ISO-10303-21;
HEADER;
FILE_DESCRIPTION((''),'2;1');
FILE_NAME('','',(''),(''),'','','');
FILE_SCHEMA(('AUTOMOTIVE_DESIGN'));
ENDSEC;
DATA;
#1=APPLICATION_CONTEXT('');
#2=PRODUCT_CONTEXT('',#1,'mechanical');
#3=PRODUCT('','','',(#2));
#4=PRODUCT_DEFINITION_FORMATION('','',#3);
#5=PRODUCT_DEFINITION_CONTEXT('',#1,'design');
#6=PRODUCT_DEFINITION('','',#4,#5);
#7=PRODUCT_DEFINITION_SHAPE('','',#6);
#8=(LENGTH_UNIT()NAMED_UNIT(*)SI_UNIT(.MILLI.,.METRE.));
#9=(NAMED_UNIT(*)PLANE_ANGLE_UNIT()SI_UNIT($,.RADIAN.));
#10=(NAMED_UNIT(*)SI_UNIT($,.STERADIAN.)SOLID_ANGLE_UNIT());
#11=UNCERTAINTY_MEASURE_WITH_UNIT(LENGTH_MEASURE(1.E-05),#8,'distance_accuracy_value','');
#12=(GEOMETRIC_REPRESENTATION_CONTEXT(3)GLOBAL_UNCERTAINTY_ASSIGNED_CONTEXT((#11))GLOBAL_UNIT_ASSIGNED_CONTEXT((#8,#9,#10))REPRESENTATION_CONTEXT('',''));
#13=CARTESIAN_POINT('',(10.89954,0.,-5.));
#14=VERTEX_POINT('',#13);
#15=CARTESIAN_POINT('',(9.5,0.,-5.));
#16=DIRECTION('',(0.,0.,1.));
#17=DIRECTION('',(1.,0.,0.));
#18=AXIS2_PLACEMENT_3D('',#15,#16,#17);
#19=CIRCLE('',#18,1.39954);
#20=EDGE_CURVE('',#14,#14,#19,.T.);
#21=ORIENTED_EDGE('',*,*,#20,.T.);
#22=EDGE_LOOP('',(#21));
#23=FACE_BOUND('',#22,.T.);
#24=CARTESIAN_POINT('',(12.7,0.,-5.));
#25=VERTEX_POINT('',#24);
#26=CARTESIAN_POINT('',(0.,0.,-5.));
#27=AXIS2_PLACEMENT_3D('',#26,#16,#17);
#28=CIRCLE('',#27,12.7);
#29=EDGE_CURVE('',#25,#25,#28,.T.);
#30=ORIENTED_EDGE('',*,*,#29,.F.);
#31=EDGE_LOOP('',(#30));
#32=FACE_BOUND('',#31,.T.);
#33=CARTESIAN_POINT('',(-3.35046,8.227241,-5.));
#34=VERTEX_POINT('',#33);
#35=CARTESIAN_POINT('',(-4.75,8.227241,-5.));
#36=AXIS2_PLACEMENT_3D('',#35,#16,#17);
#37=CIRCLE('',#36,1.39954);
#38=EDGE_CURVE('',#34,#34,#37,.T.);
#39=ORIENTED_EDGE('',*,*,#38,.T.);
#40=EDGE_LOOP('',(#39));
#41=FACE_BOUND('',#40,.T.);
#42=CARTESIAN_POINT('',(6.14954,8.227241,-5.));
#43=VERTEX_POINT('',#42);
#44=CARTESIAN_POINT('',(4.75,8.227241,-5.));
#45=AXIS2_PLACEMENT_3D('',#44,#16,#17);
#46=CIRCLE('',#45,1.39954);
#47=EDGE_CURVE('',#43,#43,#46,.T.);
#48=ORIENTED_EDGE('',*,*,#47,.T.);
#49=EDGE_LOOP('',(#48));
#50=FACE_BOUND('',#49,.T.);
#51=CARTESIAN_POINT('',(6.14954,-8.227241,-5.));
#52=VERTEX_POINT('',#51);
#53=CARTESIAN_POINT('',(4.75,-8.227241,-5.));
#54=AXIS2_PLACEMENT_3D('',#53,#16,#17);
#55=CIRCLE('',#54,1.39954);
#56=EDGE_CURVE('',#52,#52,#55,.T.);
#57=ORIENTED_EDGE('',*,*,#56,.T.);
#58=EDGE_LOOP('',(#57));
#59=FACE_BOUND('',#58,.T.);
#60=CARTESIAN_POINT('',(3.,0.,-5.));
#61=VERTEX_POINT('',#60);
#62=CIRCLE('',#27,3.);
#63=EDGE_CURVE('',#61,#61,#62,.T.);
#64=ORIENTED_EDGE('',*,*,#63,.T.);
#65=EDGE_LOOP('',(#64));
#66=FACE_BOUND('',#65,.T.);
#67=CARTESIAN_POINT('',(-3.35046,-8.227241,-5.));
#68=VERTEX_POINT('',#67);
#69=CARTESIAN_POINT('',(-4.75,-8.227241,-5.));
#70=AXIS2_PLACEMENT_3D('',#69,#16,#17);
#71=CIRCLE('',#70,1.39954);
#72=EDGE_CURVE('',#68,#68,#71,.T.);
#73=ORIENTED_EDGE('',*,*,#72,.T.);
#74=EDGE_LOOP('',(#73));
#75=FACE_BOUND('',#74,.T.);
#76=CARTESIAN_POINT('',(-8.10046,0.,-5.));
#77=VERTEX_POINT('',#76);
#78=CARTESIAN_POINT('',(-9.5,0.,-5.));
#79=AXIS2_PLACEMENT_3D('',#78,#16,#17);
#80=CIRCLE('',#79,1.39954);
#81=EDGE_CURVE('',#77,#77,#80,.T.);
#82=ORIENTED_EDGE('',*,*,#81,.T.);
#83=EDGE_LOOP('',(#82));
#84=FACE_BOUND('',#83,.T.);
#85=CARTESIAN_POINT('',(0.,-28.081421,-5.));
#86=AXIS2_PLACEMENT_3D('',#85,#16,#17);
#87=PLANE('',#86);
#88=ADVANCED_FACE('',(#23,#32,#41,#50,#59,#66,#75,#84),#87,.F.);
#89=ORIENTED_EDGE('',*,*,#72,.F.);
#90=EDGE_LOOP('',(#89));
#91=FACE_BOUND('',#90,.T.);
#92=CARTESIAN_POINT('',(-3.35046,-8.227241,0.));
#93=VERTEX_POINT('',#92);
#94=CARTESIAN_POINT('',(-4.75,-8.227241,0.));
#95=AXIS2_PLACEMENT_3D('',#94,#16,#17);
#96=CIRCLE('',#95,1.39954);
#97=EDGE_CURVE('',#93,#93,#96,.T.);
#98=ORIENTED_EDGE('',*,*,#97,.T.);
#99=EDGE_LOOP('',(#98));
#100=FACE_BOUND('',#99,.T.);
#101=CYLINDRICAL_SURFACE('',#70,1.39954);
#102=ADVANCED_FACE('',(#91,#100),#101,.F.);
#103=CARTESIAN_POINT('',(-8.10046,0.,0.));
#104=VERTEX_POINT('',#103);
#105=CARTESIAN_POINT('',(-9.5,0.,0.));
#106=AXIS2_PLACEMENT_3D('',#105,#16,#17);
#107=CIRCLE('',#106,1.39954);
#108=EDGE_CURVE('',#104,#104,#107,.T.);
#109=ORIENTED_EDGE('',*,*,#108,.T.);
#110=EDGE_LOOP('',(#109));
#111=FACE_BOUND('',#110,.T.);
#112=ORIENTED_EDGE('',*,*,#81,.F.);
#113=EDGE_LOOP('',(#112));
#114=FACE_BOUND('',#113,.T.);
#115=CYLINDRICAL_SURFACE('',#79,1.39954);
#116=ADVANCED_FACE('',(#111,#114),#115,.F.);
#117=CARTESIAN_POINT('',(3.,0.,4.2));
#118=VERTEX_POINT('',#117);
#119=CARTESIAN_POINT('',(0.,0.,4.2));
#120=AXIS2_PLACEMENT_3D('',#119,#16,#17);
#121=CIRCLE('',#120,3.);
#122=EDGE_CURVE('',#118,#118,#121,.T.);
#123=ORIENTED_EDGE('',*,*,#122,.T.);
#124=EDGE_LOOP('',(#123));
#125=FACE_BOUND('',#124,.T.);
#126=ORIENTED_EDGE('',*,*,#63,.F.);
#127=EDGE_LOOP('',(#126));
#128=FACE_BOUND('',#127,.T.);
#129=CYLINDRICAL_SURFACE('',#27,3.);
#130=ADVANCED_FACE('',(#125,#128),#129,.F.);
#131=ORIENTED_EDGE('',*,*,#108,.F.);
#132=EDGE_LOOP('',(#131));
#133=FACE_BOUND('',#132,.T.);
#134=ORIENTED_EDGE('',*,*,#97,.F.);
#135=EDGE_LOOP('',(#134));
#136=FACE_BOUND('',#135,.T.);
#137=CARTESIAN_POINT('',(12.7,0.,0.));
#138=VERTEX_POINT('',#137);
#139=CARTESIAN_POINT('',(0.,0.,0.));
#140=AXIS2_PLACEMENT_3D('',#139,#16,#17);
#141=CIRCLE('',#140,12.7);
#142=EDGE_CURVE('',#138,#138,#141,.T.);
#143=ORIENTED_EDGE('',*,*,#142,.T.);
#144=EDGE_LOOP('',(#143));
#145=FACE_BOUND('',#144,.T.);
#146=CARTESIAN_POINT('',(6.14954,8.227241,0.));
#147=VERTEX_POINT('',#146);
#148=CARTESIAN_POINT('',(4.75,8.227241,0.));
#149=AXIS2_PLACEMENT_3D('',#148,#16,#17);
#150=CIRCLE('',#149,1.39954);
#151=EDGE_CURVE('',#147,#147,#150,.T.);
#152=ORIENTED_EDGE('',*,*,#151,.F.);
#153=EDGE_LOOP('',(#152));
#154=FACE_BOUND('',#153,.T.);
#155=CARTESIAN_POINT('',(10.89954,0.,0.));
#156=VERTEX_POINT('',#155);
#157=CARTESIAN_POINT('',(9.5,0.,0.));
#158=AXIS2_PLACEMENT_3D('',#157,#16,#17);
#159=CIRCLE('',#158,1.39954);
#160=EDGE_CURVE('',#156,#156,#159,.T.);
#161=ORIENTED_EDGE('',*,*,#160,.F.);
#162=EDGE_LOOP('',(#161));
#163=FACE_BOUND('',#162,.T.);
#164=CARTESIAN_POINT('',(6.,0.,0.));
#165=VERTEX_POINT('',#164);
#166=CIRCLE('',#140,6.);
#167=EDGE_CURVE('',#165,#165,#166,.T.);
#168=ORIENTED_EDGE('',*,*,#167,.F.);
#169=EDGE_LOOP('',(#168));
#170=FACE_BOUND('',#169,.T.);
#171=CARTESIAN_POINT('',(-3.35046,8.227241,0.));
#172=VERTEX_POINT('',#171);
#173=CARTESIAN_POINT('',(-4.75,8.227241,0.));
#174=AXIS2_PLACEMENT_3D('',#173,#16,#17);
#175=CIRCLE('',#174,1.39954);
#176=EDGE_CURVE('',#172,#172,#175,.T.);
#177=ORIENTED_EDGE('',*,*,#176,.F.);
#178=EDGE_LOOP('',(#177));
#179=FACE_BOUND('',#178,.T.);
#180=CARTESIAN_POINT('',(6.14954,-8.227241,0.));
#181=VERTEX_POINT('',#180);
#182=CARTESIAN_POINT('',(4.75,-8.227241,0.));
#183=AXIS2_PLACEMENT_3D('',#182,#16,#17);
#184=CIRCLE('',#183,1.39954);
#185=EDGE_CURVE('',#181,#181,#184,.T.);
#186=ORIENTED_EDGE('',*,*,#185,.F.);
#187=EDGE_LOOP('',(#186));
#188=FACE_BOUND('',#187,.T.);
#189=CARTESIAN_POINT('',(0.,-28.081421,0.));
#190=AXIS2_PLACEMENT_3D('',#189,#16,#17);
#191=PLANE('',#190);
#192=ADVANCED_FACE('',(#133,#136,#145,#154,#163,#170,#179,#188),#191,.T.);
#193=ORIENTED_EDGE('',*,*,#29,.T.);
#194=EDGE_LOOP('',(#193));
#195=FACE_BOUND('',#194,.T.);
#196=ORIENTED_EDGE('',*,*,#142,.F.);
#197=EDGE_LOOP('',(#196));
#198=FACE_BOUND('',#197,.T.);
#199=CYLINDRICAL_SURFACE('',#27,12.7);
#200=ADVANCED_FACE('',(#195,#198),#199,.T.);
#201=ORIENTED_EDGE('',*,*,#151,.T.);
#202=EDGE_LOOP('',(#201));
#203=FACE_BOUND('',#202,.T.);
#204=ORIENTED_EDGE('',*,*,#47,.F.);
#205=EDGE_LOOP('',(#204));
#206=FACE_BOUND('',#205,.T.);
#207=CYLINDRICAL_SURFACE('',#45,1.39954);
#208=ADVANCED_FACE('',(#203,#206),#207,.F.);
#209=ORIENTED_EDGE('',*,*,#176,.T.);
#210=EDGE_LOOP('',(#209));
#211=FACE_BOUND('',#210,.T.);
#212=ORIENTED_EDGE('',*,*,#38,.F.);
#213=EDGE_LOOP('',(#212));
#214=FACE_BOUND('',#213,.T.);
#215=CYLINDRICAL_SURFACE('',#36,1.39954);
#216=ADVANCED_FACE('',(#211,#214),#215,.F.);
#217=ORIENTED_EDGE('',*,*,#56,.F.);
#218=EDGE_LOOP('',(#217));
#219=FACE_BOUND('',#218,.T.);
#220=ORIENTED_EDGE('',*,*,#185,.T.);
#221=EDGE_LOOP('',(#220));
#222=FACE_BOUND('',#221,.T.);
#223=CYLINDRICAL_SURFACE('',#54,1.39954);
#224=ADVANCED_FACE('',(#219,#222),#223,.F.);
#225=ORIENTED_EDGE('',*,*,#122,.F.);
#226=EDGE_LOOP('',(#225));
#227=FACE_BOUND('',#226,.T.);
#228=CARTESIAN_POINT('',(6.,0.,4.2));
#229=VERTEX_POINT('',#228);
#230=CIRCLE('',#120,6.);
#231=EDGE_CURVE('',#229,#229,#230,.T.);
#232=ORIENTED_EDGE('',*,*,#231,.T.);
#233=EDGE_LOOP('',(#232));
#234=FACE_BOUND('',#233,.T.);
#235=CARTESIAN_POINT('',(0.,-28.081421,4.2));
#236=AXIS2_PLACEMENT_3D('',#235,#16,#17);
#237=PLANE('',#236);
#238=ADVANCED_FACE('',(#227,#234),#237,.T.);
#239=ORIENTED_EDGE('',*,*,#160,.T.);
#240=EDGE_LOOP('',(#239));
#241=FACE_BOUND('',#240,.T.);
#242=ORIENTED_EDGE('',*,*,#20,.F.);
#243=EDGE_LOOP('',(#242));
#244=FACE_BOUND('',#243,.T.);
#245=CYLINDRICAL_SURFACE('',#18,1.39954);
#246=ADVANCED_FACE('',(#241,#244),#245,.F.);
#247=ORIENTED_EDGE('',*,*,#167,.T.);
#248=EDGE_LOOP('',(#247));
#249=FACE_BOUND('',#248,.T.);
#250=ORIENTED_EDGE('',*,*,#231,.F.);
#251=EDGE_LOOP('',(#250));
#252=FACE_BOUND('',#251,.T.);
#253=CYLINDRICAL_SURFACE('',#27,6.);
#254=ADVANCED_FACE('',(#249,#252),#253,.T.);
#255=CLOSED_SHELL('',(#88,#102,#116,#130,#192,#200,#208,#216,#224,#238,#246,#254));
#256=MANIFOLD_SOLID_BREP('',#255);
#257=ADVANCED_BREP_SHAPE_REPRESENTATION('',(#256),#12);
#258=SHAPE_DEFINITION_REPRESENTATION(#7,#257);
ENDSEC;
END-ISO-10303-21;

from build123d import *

# Parameters (mm, degrees)
SKETCH_1_R           = 12.7
SKETCH_1_R_2         = 1.39954
SKETCH_1_R_3         = 6
EXTRUDE_1_DEPTH      = 5
EXTRUDE_2_DEPTH      = 4.2
EXTRUDE_2_DEPTH_BACK = 5
SKETCH_1_3_R         = 6
SKETCH_1_3_R_2       = 3


with BuildPart() as part:
    # Sketch 1 → Extrude 1 (new body)
    with BuildSketch(Plane.XY):
        Circle(SKETCH_1_R)
        with Locations((4.75, 8.227241336)):
            Circle(SKETCH_1_R_2, mode=Mode.SUBTRACT)
        with Locations((-4.75, 8.227241336)):
            Circle(SKETCH_1_R_2, mode=Mode.SUBTRACT)
        with Locations((-9.5, 0)):
            Circle(SKETCH_1_R_2, mode=Mode.SUBTRACT)
        with Locations((-4.75, -8.227241336)):
            Circle(SKETCH_1_R_2, mode=Mode.SUBTRACT)
        with Locations((4.75, -8.227241336)):
            Circle(SKETCH_1_R_2, mode=Mode.SUBTRACT)
        with Locations((9.5, 0)):
            Circle(SKETCH_1_R_2, mode=Mode.SUBTRACT)
        Circle(SKETCH_1_R_3, mode=Mode.SUBTRACT)
    extrude(amount=-EXTRUDE_1_DEPTH)

    # Sketch 1_3 → Extrude 2 (add, two sides: drawn at the far end of the back side and taken through both)
    with BuildSketch(Plane.XY.offset(-EXTRUDE_2_DEPTH_BACK)):
        Circle(SKETCH_1_3_R)
        Circle(SKETCH_1_3_R_2, mode=Mode.SUBTRACT)
    extrude(amount=EXTRUDE_2_DEPTH + EXTRUDE_2_DEPTH_BACK)


solid = part.part
